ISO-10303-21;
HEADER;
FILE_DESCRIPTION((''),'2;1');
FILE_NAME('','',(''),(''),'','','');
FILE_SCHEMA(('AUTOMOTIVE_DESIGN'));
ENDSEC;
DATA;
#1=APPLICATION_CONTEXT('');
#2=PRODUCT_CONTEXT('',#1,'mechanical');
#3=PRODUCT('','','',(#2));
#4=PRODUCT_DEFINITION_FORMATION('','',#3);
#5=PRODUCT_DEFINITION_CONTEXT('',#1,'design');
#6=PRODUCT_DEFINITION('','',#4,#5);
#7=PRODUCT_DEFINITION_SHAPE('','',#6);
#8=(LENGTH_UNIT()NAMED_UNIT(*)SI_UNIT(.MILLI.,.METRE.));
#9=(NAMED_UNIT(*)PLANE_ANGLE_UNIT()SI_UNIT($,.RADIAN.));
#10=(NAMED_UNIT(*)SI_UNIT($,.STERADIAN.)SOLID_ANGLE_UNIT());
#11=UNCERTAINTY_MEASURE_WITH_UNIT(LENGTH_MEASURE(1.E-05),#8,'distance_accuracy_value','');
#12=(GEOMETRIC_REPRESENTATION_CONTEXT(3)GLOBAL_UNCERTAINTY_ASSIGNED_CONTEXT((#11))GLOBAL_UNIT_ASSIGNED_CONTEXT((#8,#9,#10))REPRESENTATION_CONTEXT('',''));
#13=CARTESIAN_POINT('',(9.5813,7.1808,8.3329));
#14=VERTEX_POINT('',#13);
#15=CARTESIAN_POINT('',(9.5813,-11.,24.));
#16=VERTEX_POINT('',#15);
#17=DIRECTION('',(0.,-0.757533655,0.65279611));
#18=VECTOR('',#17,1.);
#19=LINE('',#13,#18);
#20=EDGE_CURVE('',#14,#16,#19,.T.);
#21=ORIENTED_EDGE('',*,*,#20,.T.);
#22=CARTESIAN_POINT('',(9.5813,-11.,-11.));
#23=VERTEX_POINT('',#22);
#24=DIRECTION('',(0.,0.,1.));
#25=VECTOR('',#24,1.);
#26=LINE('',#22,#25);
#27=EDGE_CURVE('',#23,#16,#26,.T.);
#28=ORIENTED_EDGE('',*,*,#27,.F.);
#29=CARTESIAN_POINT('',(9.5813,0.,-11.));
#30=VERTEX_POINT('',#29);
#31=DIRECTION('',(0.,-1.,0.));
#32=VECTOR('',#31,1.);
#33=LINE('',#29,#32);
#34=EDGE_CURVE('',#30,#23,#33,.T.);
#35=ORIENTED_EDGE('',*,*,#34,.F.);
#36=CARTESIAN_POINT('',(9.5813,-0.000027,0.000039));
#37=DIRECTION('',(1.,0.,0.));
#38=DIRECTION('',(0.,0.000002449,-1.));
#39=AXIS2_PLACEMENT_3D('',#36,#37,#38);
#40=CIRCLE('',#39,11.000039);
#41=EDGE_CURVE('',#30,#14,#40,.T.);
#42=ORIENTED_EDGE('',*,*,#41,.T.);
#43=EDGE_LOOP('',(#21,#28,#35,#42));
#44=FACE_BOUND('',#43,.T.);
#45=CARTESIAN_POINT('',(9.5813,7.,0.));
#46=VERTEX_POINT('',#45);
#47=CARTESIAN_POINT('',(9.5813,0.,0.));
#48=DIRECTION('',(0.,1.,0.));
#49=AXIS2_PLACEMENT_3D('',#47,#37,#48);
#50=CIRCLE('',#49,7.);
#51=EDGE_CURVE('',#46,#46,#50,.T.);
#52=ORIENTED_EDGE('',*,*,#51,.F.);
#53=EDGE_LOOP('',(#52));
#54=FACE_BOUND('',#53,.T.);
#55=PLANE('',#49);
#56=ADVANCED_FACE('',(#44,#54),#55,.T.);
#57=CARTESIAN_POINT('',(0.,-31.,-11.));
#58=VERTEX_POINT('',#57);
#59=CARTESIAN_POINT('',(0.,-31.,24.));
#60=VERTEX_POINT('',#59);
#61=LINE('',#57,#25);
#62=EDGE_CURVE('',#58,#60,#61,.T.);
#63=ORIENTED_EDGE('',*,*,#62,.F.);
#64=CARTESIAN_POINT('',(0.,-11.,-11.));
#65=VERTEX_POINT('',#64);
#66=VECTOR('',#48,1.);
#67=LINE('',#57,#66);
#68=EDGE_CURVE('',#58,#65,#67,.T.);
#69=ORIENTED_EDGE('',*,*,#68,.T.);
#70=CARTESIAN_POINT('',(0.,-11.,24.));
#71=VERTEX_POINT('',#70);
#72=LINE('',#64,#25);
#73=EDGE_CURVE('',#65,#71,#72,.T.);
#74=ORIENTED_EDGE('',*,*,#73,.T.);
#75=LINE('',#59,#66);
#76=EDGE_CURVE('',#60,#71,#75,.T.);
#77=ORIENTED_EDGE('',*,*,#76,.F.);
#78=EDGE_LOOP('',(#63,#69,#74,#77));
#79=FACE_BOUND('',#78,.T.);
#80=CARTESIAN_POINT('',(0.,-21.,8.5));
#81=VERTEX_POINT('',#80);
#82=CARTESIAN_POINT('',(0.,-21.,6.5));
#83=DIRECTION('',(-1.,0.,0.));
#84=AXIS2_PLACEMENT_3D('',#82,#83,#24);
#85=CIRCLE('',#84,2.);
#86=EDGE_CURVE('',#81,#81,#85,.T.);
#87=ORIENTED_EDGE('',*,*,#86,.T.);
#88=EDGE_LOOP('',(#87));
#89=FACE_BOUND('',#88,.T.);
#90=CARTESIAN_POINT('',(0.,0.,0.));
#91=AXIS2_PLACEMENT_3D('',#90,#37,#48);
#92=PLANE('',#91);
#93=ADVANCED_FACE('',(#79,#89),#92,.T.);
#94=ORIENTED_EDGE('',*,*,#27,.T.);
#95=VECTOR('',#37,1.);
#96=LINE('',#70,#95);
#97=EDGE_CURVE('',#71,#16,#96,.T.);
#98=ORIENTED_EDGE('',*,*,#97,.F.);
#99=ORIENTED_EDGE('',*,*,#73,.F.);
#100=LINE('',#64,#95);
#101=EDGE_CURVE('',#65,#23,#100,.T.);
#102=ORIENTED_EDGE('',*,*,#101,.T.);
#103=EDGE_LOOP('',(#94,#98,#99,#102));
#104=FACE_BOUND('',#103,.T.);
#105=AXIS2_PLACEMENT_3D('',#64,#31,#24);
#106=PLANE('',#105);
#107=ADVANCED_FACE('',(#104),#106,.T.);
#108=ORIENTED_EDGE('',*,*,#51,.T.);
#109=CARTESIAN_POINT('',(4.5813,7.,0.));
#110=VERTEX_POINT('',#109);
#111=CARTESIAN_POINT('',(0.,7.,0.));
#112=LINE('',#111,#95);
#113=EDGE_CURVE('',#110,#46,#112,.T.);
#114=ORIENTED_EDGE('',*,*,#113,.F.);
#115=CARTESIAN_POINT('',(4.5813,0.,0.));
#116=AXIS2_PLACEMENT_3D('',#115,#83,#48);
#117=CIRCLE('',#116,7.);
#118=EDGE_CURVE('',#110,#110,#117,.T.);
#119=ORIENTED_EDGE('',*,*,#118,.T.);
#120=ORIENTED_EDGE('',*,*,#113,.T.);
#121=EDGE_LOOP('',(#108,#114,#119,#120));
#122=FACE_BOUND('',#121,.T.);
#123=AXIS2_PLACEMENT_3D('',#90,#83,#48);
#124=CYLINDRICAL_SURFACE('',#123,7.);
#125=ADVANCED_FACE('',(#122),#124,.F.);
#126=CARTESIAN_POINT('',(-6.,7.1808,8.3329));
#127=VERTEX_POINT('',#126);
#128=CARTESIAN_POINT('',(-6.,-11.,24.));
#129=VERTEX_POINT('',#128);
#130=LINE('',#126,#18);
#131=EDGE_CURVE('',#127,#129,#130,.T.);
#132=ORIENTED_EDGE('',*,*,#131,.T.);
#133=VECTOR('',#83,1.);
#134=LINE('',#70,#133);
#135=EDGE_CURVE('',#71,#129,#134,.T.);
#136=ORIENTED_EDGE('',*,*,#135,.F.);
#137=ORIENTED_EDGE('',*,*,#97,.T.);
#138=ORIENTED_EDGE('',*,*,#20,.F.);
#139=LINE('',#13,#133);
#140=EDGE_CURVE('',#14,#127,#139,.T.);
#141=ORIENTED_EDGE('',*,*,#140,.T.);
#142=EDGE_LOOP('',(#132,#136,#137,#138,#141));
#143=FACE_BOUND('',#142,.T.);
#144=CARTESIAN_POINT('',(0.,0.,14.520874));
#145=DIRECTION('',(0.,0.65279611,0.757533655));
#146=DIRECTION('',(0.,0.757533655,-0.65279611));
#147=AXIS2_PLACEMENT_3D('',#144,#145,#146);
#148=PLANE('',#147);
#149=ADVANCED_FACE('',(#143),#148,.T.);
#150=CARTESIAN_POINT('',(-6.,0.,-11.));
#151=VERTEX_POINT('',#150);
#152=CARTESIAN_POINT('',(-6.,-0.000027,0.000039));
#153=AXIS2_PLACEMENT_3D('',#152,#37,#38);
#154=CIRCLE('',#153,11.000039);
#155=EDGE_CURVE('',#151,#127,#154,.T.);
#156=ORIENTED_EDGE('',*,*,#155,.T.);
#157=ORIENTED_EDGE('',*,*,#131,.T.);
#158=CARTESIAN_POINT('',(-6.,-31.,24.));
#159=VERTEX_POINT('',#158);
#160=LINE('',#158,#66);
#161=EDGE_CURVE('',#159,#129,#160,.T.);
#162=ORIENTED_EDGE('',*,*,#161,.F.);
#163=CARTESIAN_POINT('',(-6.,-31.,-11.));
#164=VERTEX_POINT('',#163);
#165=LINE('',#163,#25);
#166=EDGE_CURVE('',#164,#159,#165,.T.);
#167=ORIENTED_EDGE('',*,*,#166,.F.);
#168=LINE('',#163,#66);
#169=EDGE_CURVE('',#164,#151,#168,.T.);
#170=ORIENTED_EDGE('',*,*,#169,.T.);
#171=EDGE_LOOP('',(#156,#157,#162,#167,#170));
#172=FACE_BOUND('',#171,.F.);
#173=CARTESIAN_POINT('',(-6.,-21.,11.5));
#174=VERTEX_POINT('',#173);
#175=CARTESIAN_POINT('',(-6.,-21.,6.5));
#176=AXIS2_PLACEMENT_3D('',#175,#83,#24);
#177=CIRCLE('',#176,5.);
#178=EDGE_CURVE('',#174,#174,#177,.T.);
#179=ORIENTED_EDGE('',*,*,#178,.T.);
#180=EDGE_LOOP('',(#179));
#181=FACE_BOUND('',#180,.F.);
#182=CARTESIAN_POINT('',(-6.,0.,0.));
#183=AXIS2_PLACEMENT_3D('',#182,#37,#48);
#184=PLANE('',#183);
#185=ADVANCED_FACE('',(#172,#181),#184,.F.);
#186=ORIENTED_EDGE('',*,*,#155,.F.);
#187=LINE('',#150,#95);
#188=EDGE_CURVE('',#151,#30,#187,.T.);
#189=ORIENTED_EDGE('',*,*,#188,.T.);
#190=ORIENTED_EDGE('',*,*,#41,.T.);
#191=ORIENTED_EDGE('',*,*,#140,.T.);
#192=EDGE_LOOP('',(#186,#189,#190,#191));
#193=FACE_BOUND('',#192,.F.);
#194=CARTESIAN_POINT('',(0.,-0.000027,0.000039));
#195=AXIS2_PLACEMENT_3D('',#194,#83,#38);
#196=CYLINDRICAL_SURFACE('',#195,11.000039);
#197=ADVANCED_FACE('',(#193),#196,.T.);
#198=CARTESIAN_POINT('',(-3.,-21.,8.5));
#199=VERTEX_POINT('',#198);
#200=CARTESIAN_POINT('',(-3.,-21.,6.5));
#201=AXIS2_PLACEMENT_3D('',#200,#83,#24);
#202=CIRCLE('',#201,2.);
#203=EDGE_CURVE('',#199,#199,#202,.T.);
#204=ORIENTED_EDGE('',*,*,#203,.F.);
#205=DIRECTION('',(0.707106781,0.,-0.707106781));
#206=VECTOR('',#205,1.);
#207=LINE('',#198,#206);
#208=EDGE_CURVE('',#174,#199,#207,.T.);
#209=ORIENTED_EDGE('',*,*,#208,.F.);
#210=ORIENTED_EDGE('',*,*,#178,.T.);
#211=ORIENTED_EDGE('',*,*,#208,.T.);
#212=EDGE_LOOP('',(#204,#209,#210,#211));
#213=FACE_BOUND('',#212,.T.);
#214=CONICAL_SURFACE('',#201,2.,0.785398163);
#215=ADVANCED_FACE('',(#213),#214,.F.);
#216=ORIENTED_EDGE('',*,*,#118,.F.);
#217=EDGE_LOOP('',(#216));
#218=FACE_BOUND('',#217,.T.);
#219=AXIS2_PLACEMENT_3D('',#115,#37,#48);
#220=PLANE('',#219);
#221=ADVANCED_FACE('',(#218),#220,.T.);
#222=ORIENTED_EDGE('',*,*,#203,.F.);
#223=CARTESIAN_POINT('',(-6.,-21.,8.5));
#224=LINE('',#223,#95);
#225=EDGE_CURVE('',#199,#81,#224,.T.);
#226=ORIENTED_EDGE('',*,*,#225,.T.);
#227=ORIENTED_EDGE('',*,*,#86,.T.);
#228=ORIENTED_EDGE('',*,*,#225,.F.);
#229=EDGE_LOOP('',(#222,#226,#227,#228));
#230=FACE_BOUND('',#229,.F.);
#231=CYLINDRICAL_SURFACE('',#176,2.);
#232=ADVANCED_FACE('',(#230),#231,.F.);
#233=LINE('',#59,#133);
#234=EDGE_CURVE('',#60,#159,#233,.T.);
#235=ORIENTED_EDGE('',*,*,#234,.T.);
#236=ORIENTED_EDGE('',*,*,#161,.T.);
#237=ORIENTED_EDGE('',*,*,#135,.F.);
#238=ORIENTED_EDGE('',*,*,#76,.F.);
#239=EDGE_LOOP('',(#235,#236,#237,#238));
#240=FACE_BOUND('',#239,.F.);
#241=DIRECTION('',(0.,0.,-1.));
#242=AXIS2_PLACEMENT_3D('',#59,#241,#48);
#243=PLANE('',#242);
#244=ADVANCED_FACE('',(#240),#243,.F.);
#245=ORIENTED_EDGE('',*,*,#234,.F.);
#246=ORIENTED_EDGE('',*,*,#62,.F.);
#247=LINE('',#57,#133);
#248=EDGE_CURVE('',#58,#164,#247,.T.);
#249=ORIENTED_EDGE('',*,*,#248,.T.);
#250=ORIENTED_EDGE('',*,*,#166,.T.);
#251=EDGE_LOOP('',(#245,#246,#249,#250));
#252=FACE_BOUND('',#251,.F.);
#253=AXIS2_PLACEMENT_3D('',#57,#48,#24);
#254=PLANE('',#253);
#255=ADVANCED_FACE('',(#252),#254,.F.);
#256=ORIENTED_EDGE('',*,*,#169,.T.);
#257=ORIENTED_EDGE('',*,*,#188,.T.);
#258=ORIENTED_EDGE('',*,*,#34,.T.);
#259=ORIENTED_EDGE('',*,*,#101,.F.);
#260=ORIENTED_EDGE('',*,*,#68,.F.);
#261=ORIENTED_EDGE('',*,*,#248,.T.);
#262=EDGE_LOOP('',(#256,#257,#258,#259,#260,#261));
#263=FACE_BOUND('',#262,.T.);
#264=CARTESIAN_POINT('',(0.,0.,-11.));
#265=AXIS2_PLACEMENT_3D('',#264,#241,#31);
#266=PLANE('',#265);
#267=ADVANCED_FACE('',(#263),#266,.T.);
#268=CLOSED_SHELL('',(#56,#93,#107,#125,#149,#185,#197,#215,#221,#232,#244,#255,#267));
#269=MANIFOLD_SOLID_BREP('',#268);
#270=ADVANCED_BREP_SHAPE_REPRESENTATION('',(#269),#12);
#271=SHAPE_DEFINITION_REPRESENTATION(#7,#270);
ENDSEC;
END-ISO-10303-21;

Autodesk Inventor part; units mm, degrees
ref_plane "YZ Plane" through (0, 0, 0) normal (1, 0, 0) x (0, 1, 0)
ref_plane "XZ Plane" through (0, 0, 0) normal (0, 1, 0) x (-1, 0, 0)
ref_plane "XY Plane" through (0, 0, 0) normal (0, 0, 1) x (1, 0, 0)
sketch "Sketch1" plane through (0, 0, 0) normal (1, 0, 0) x (0, 1, 0)
  circle A0 centre (0, 0) radius 7
  line L0 (0, -11) -> (-31, -11)
  line L1 (-31, -11) -> (-31, 24)
  line L2 (-11, -11) -> (-11, 24)
  line L3 (-31, 24) -> (-11, 24)
  line L4 (0, -20.9958) -> (0, 31.4993) projected
  arc A1 (0, -11) -> (7.1808, 8.3329) centre (0, 0) ccw
  line L5 (-11, 24) -> (7.1808, 8.3329)
  dimension "d0" = 14
  dimension "d3" = 11
  dimension "d4" = 35
  dimension "d6" = 22
  dimension "d7" = 31
extrude "Extrusion1" add sketch "Sketch1" along normal blind 9.5813 contours A0 L4 L5 A1 | A0 L4 L0 L2 L5
extrude "Extrusion2" add sketch "Sketch1" along normal blind 4.5813 contours A0 L4 | L4 A0
extrude "Extrusion3" add sketch "Sketch1" against normal blind 6
sketch "Sketch2" plane through (-6, 0, 0) normal (-1, 0, 0) x (0, 0, 1)
  circle A0 centre (6.5, -21) radius 2
  line L0 (-11, -31) -> (24, -31) projected
  line L1 (-11, 0) -> (-11, -31) projected
  point P0 (0, 0)
  dimension "d14" = 4
  dimension "d15" = 10
  dimension "d16" = 17.5
extrude "Extrusion4" cut sketch "Sketch2" against normal blind 10
chamfer "Chamfer1" distance 3 angle 45 1 edges at (-6, -21, 4.5)
properties part number "bearing_holder_v2_left"
